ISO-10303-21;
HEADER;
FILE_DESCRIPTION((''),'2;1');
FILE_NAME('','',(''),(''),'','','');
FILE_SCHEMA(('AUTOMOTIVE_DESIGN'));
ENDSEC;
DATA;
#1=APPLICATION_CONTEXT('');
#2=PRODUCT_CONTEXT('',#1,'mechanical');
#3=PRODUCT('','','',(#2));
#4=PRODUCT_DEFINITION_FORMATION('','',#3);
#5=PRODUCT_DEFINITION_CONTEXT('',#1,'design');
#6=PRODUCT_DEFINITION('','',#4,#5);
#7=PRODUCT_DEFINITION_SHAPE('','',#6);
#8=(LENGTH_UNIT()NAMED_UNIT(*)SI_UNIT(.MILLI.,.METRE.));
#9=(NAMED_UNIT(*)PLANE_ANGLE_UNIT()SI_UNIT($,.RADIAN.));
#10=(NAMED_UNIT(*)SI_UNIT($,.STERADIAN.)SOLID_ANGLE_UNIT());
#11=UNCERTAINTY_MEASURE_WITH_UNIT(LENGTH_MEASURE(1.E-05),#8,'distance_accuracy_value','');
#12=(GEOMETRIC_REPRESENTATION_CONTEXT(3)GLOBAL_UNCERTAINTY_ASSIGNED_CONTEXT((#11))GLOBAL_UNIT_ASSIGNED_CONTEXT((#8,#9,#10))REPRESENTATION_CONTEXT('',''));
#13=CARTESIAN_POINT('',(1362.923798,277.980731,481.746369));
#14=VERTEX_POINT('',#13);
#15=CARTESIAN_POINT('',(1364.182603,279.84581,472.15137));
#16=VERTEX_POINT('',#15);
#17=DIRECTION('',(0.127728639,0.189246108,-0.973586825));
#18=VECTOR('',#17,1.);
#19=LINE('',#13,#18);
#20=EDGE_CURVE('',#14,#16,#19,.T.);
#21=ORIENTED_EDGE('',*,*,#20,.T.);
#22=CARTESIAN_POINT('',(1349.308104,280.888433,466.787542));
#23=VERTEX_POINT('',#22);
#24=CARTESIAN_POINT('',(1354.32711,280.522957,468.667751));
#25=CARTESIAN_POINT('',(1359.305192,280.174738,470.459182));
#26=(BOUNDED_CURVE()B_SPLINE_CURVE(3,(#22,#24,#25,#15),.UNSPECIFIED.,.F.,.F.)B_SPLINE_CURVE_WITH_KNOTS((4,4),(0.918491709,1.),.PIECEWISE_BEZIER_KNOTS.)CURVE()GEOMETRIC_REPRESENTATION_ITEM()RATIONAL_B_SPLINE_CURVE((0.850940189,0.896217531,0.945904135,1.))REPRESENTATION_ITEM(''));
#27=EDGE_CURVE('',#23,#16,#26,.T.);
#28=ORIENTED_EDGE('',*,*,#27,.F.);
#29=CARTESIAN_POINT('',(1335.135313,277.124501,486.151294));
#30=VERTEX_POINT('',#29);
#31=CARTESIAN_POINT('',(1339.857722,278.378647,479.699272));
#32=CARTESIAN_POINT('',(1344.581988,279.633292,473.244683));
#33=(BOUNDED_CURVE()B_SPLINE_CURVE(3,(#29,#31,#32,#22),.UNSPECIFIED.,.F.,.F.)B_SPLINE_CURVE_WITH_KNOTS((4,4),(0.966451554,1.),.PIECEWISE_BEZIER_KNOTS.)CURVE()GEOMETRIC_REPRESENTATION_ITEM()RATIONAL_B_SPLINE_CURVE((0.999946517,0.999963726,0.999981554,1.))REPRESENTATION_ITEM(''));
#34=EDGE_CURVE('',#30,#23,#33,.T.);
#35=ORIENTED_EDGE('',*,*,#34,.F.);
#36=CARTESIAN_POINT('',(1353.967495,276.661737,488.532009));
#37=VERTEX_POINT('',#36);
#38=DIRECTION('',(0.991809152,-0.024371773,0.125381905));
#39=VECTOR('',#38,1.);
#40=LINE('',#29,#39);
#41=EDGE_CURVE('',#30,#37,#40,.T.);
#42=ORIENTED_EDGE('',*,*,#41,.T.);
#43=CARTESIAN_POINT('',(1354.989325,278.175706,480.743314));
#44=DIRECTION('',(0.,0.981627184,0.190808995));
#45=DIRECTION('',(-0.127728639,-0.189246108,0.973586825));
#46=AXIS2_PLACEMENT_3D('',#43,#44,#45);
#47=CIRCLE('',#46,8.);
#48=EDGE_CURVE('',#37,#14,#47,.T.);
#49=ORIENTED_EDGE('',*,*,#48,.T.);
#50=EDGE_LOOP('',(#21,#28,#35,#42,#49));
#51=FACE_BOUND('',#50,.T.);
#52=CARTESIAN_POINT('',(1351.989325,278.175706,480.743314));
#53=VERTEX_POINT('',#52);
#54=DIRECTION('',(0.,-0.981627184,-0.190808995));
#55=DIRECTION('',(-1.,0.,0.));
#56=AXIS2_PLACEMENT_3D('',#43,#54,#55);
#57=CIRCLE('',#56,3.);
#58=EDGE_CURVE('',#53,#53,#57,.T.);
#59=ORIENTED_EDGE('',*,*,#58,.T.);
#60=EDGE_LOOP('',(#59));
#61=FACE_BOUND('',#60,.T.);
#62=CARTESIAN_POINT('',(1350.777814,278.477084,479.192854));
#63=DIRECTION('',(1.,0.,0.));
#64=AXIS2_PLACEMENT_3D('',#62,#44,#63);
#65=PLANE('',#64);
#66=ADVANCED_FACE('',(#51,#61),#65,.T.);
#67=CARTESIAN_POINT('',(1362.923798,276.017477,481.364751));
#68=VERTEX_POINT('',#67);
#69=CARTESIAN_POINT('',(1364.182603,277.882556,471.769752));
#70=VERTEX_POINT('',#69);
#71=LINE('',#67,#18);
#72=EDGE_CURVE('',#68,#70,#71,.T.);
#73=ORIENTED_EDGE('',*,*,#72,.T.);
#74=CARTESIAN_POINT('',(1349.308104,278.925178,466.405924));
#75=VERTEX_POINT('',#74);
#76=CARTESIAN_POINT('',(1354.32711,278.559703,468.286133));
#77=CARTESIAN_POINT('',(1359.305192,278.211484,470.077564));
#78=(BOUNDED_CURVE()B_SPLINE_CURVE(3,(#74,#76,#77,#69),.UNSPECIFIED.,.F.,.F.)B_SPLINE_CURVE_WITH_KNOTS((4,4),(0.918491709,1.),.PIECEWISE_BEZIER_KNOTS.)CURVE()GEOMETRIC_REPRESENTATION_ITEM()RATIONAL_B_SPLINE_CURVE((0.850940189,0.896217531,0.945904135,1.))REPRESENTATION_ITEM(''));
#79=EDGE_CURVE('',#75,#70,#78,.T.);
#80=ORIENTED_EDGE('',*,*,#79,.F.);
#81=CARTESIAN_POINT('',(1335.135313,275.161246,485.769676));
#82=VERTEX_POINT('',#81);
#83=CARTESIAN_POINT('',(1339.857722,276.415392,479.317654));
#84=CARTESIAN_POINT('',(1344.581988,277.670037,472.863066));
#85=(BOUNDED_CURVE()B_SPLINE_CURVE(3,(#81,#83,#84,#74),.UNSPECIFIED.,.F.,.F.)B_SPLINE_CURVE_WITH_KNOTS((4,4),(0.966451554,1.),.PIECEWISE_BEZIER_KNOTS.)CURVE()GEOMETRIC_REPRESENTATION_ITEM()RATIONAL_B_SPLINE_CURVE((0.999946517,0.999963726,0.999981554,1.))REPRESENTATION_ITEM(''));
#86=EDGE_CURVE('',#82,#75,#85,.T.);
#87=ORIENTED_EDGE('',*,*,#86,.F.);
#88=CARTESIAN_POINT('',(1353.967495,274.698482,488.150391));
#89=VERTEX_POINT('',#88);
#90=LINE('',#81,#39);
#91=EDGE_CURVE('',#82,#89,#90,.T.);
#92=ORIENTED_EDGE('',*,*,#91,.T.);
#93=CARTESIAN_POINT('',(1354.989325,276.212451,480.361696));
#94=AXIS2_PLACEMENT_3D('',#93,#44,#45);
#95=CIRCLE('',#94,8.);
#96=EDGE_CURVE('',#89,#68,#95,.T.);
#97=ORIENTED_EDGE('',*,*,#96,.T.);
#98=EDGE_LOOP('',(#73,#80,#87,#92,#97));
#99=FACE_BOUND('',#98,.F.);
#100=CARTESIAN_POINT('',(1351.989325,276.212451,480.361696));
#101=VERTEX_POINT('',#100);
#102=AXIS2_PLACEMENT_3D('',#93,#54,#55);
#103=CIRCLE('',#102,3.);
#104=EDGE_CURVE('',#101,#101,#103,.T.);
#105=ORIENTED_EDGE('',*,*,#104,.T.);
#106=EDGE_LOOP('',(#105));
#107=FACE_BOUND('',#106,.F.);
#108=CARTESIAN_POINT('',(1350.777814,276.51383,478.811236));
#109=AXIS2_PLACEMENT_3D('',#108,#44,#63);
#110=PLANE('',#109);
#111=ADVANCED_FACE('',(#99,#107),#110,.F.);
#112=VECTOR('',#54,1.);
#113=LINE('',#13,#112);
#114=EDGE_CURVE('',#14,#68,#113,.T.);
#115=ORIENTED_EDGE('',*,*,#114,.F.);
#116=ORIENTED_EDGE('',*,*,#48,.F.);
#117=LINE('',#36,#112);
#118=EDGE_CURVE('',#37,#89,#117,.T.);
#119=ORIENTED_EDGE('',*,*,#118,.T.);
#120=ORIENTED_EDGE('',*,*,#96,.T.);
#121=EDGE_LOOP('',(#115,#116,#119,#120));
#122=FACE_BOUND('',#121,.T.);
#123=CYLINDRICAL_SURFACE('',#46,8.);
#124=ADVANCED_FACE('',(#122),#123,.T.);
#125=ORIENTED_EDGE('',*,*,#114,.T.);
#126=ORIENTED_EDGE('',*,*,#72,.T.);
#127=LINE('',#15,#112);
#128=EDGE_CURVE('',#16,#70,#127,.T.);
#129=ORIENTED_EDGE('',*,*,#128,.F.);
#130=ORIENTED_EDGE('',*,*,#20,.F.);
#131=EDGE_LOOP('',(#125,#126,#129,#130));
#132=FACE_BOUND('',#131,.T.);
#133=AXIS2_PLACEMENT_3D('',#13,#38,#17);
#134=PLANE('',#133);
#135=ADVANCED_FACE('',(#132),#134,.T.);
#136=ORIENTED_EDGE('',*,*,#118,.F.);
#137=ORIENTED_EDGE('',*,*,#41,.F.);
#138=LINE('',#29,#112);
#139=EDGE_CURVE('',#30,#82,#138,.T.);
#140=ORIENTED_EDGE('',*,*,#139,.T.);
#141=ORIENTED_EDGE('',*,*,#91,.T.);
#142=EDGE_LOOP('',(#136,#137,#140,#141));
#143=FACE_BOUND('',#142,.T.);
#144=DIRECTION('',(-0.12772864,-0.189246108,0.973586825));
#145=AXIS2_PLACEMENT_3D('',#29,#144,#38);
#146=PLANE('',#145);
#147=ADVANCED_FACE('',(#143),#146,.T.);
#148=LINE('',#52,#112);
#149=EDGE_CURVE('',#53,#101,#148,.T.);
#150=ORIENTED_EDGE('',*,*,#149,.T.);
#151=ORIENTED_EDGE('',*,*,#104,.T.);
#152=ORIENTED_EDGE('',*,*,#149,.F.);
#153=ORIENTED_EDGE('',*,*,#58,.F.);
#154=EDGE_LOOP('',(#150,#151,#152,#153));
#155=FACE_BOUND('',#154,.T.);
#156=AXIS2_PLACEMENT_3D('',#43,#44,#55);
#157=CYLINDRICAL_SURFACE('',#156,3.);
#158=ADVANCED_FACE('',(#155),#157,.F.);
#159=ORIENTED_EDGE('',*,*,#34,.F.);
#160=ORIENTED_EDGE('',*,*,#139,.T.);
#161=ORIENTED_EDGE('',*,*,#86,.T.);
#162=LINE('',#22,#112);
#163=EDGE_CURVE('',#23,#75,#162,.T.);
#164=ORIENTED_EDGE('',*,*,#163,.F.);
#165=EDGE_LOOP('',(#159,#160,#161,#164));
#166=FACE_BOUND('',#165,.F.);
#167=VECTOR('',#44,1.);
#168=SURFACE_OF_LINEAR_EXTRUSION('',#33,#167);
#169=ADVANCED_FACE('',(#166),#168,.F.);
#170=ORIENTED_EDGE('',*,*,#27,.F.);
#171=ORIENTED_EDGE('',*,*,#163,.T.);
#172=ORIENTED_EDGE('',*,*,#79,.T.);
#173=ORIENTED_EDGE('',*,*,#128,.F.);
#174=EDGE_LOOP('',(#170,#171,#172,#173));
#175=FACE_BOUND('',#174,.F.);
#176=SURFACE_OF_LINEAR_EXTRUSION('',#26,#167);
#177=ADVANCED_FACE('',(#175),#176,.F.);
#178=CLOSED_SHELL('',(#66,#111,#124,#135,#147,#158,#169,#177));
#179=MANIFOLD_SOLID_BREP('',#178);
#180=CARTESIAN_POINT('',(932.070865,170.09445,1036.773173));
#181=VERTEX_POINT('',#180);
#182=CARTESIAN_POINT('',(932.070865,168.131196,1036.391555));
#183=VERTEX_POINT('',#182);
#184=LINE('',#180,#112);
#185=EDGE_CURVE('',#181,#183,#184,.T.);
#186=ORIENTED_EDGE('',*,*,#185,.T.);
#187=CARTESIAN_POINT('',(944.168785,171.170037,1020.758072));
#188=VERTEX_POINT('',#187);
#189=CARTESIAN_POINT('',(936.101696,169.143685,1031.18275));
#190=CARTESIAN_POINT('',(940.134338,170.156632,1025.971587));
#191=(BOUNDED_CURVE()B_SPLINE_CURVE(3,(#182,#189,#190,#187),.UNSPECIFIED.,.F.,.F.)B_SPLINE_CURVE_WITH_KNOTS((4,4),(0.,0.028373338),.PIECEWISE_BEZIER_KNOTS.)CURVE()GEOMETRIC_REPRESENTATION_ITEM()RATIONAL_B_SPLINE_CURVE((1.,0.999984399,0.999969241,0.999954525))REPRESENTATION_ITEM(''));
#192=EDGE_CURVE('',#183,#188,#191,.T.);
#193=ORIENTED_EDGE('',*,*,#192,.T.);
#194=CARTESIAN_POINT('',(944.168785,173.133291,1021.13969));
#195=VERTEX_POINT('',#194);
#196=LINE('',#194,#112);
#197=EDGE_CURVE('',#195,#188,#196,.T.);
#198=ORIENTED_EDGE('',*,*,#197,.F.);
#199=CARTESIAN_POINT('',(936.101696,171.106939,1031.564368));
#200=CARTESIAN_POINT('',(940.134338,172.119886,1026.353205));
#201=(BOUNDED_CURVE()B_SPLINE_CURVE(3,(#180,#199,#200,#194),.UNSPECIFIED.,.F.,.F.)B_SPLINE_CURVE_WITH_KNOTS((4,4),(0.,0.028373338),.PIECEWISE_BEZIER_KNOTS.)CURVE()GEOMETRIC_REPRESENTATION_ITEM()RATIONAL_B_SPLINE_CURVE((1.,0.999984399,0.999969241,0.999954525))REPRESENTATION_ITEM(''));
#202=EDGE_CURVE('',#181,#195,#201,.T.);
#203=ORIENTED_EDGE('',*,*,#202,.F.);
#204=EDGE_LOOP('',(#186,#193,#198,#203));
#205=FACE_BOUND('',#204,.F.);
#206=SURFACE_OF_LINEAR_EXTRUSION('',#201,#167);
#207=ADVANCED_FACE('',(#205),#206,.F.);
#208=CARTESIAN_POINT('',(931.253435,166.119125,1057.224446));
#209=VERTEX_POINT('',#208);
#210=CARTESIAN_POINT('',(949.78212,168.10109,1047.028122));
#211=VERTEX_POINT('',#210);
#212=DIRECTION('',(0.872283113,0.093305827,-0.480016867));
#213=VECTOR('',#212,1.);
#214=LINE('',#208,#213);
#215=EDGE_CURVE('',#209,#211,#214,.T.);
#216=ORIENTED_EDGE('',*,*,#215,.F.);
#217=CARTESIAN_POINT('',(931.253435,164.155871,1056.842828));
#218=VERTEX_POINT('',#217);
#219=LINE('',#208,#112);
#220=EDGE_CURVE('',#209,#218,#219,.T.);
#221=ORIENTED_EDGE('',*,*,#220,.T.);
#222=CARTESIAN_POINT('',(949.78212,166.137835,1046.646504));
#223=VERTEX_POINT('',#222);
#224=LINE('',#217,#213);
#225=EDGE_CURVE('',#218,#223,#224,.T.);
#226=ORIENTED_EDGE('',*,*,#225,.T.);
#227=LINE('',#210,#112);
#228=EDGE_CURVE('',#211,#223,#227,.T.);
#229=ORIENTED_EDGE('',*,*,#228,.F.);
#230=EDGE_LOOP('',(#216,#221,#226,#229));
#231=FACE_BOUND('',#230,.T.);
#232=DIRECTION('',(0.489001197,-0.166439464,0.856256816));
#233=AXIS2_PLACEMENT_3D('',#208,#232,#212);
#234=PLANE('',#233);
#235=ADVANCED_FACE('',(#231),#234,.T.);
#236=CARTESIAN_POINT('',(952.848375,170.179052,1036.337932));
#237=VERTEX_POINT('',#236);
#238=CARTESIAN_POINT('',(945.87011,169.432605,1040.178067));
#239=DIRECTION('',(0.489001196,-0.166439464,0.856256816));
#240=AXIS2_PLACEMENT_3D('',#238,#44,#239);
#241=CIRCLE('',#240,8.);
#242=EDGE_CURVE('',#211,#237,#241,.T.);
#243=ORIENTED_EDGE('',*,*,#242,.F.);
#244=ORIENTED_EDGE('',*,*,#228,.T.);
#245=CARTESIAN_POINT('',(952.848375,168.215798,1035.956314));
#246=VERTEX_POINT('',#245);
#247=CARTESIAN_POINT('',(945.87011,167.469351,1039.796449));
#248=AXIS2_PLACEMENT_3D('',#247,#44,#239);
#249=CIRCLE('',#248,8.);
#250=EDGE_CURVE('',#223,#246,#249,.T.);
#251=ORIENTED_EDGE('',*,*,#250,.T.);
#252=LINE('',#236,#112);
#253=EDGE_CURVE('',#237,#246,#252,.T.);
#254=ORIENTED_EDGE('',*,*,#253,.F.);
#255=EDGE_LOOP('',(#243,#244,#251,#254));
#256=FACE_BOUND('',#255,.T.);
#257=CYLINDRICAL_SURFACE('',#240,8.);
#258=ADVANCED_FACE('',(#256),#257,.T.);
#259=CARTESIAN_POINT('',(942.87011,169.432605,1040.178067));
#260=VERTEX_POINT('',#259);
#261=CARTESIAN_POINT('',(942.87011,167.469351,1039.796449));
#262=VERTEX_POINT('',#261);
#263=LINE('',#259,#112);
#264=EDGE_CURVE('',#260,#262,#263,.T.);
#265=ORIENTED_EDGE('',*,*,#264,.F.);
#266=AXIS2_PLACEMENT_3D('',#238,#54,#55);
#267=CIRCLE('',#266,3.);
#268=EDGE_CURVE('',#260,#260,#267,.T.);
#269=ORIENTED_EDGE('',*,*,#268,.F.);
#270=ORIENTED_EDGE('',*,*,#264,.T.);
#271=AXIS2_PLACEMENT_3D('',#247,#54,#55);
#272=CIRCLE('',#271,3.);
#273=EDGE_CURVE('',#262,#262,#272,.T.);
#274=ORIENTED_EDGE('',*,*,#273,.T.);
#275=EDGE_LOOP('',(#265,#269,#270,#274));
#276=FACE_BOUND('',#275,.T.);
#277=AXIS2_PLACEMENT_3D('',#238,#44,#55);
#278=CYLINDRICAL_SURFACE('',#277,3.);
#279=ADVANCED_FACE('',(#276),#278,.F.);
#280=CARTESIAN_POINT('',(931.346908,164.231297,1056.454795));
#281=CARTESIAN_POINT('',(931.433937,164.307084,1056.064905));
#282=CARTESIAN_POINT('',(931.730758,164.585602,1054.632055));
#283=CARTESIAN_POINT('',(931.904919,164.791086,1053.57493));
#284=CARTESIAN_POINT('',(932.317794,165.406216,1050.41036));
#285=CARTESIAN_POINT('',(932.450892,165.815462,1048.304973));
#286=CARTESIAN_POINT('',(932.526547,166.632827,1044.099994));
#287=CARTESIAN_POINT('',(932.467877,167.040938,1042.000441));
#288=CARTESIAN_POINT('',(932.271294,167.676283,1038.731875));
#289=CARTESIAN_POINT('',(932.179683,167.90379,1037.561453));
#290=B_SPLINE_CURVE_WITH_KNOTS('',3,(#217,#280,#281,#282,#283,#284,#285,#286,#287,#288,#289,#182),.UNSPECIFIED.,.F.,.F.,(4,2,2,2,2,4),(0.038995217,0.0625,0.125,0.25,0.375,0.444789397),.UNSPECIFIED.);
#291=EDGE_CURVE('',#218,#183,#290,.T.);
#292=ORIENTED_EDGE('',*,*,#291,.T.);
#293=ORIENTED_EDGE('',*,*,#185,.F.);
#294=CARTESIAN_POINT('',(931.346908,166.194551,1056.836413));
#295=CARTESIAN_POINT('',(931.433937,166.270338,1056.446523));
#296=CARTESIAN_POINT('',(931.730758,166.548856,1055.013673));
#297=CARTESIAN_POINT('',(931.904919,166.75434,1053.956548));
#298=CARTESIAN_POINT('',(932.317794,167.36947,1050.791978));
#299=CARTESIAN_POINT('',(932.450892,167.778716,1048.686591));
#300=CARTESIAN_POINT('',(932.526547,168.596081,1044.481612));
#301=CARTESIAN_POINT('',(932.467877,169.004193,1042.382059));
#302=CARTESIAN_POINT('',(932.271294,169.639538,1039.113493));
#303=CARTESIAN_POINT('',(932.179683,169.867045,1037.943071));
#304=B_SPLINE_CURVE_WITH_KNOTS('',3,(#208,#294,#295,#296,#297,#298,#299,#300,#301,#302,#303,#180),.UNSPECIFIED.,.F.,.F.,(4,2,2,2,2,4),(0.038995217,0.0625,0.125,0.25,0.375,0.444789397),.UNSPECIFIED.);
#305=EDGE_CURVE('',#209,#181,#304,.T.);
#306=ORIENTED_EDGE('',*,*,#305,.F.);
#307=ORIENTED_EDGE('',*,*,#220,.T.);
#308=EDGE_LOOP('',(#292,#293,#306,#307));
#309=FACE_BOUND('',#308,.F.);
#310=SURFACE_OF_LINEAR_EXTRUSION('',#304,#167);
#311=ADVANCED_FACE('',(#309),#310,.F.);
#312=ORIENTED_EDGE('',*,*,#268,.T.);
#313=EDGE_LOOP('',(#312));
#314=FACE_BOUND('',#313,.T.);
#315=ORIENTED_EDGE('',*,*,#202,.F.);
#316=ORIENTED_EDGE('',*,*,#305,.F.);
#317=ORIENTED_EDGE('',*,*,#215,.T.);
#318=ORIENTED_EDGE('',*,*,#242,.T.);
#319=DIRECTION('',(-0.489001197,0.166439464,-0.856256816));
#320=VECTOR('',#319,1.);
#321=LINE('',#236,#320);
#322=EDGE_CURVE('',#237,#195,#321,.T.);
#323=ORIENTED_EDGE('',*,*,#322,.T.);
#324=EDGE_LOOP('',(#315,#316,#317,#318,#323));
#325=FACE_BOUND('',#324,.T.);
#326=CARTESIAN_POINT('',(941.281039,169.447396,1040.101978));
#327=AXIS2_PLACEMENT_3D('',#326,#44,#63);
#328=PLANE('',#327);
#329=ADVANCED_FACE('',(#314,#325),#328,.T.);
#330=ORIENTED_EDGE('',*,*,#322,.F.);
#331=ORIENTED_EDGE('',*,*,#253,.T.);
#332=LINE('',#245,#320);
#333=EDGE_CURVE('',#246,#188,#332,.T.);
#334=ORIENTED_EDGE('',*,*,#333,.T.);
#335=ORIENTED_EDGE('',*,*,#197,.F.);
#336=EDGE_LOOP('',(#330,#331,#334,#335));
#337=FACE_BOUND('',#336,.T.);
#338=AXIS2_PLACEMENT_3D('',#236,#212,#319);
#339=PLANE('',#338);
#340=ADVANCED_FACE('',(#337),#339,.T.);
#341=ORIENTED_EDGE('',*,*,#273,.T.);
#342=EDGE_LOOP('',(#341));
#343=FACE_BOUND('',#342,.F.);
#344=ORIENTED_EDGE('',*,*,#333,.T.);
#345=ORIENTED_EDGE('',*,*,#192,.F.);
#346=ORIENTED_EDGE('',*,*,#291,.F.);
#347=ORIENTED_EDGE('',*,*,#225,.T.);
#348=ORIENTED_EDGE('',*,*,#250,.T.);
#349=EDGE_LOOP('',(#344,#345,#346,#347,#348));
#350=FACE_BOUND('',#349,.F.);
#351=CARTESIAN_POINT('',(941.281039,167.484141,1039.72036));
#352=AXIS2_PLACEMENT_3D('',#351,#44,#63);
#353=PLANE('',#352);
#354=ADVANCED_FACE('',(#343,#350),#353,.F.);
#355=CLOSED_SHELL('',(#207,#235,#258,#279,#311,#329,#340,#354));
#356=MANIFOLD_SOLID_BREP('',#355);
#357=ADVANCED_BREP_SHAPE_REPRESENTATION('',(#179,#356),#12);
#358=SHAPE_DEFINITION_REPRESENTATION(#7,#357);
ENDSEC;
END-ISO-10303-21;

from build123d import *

# Parameters (mm, degrees)
SZKIC1_R                      = 3
DODANIE_WYCI_GNI_CIE1_DEPTH   = 2
DODANIE_WYCI_GNI_CIE1_2_DEPTH = 2


with BuildPart() as part:
    # Szkic1 → Dodanie-wyciągnięcie1 (new body)
    with BuildSketch(Plane(origin=(0, 358.092671711, 69.606164227), x_dir=(-1, 0, 0), z_dir=(0, -0.981627183, -0.190808995))):
        with BuildLine():
            Line((-1362.923797729, -419.854107682), (-1364.182603001, -410.079521535))
            add(Edge.make_bspline(
                [(-1349.308104441, -404.615300263), (-1354.327109709, -406.530701132), (-1359.305192252, -408.355661256), (-1364.182603001, -410.079521535)],
                knots=[0.918491709, 0.918491709, 0.918491709, 0.918491709, 1, 1, 1, 1], degree=3, weights=[0.850940189, 0.896217531, 0.945904135, 1]))
            add(Edge.make_bspline(
                [(-1335.135312752, -424.341477666), (-1339.857721526, -417.768694868), (-1344.581988379, -411.193298285), (-1349.308104441, -404.615300263)],
                knots=[0.966451554, 0.966451554, 0.966451554, 0.966451554, 1, 1, 1, 1], degree=3, weights=[0.999946517, 0.999963726, 0.999981554, 1]))
            Line((-1335.135312752, -424.341477666), (-1353.967495394, -426.766751785))
            ThreePointArc((-1353.967495394, -426.766751785), (-1359.877302031, -425.165340681), (-1362.923797729, -419.854107682))
        make_face()
        with Locations((-1354.98932451, -418.832278566)):
            Circle(SZKIC1_R, mode=Mode.SUBTRACT)
    extrude(amount=DODANIE_WYCI_GNI_CIE1_DEPTH)


with BuildPart() as body_2:
    # Szkic1 → Dodanie-wyci_gni_cie1 2 (new body)
    with BuildSketch(Plane(origin=(0, 358.092671711, 69.606164227), x_dir=(-1, 0, 0), z_dir=(0, -0.981627183, -0.190808995))):
        with BuildLine():
            Line((-952.848375327, -984.825791702), (-944.168784695, -969.343088606))
            add(Edge.make_bspline(
                [(-932.070864738, -985.269178293), (-936.101696367, -979.962881902), (-940.134338111, -974.654183026), (-944.168784695, -969.343088606)],
                knots=[0, 0, 0, 0, 0.028373338, 0.028373338, 0.028373338, 0.028373338], degree=3, weights=[1, 0.999984399, 0.999969241, 0.999954525]))
            add(Edge.make_bspline(
                [(-931.253435448, -1006.103231509), (-931.346908095, -1005.707936087), (-931.433937079, -1005.310748901), (-931.730758065, -1003.851080189), (-931.904919365, -1002.774169083), (-932.317793571, -999.550369722), (-932.450892162, -997.405576031), (-932.526546788, -993.121894403), (-932.467876959, -990.983044462), (-932.271293947, -987.653301408), (-932.179682868, -986.460973189), (-932.070864738, -985.269178293)],
                knots=[0.038995217, 0.038995217, 0.038995217, 0.038995217, 0.0625, 0.0625, 0.125, 0.125, 0.25, 0.25, 0.375, 0.375, 0.444789397, 0.444789397, 0.444789397, 0.444789397], degree=3))
            Line((-931.253435448, -1006.103231509), (-949.782119992, -995.71606618))
            ThreePointArc((-949.782119992, -995.71606618), (-953.570697353, -990.905971214), (-952.848375327, -984.825791702))
        make_face()
        with Locations((-945.87011042, -988.737801274)):
            Circle(SZKIC1_R, mode=Mode.SUBTRACT)
    extrude(amount=DODANIE_WYCI_GNI_CIE1_2_DEPTH)


solid = Compound([part.part, body_2.part])
